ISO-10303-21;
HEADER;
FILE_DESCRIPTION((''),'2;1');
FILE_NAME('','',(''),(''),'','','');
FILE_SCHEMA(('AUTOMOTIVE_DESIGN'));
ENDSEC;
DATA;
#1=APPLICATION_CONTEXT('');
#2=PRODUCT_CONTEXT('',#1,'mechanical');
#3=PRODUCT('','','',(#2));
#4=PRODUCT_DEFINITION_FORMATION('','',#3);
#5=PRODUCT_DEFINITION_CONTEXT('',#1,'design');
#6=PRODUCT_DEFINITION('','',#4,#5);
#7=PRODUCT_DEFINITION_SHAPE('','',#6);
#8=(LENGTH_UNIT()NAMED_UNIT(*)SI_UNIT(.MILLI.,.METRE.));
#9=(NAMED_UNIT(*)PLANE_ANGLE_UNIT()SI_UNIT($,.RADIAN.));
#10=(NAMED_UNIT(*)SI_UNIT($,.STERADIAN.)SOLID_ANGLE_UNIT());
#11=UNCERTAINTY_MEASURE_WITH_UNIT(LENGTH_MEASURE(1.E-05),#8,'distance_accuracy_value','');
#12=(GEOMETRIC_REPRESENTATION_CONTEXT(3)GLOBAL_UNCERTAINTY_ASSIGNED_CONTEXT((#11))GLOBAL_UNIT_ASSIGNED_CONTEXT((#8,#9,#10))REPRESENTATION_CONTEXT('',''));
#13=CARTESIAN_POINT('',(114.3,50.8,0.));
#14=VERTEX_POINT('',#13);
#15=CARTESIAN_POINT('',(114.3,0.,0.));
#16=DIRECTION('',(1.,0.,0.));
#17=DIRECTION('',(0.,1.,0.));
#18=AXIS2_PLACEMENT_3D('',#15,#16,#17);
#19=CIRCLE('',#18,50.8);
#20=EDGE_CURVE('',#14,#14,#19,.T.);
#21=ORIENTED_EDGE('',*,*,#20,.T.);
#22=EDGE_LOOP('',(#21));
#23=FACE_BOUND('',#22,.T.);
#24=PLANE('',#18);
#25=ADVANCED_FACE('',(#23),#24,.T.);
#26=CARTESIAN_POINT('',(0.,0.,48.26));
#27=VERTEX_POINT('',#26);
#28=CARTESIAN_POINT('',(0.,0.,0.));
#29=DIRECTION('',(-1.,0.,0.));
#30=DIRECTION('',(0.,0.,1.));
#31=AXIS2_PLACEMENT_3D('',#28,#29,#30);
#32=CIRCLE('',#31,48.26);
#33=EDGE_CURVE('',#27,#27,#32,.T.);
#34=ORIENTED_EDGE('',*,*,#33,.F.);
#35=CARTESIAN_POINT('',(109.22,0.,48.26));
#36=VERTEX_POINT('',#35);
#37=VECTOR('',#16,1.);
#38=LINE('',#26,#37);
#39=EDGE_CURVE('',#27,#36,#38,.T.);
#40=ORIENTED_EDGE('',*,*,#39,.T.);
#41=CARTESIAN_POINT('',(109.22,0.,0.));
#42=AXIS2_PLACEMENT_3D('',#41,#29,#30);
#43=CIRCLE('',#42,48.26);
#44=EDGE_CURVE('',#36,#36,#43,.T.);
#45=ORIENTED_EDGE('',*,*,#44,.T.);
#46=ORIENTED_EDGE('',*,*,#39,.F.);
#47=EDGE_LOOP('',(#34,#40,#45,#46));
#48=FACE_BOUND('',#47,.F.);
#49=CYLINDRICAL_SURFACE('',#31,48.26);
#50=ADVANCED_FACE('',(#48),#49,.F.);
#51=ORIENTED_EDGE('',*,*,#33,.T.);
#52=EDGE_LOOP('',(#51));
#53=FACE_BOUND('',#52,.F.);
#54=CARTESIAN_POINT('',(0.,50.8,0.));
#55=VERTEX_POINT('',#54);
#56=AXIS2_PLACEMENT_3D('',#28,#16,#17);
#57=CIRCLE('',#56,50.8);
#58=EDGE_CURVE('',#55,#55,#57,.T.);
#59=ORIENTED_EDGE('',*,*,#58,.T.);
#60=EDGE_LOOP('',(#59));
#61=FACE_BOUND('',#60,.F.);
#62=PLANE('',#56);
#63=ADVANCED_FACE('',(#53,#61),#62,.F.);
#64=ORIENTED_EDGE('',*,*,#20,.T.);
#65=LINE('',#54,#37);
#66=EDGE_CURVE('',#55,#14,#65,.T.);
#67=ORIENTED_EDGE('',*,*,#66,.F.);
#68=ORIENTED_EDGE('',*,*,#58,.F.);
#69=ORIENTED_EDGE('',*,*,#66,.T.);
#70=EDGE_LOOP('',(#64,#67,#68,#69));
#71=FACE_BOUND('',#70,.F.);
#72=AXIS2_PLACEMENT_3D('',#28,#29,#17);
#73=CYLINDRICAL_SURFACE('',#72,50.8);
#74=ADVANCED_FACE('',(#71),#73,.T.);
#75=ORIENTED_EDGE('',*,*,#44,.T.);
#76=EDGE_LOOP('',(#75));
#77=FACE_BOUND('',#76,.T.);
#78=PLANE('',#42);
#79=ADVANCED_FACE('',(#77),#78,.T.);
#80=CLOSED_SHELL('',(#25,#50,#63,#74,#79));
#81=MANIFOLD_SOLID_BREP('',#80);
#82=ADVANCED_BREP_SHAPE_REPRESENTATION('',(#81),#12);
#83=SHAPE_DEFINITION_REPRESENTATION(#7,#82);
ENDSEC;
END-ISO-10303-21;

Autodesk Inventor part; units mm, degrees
ref_plane "YZ Plane" through (0, 0, 0) normal (1, 0, 0) x (0, 1, 0)
ref_plane "XZ Plane" through (0, 0, 0) normal (0, 1, 0) x (-1, 0, 0)
ref_plane "XY Plane" through (0, 0, 0) normal (0, 0, 1) x (1, 0, 0)
sketch "Sketch1" plane through (0, 0, 0) normal (1, 0, 0) x (0, 1, 0)
  circle A0 centre (0, 0) radius 50.8
  circle A1 centre (0, 0) radius 48.26
  dimension "d0" = 101.6
  dimension "d3" = 96.52
extrude "Extrusion1" add sketch "Sketch1" along normal blind 114.3 contours A0 | A1
sketch "Sketch2" plane through (0, 0, 0) normal (-1, 0, 0) x (0, 0, 1)
  circle A0 centre (0, 0) radius 48.26
  dimension "d4" = 96.52
extrude "Extrusion2" cut sketch "Sketch2" against normal blind 109.22
properties part number "CONTAINER NEW."
